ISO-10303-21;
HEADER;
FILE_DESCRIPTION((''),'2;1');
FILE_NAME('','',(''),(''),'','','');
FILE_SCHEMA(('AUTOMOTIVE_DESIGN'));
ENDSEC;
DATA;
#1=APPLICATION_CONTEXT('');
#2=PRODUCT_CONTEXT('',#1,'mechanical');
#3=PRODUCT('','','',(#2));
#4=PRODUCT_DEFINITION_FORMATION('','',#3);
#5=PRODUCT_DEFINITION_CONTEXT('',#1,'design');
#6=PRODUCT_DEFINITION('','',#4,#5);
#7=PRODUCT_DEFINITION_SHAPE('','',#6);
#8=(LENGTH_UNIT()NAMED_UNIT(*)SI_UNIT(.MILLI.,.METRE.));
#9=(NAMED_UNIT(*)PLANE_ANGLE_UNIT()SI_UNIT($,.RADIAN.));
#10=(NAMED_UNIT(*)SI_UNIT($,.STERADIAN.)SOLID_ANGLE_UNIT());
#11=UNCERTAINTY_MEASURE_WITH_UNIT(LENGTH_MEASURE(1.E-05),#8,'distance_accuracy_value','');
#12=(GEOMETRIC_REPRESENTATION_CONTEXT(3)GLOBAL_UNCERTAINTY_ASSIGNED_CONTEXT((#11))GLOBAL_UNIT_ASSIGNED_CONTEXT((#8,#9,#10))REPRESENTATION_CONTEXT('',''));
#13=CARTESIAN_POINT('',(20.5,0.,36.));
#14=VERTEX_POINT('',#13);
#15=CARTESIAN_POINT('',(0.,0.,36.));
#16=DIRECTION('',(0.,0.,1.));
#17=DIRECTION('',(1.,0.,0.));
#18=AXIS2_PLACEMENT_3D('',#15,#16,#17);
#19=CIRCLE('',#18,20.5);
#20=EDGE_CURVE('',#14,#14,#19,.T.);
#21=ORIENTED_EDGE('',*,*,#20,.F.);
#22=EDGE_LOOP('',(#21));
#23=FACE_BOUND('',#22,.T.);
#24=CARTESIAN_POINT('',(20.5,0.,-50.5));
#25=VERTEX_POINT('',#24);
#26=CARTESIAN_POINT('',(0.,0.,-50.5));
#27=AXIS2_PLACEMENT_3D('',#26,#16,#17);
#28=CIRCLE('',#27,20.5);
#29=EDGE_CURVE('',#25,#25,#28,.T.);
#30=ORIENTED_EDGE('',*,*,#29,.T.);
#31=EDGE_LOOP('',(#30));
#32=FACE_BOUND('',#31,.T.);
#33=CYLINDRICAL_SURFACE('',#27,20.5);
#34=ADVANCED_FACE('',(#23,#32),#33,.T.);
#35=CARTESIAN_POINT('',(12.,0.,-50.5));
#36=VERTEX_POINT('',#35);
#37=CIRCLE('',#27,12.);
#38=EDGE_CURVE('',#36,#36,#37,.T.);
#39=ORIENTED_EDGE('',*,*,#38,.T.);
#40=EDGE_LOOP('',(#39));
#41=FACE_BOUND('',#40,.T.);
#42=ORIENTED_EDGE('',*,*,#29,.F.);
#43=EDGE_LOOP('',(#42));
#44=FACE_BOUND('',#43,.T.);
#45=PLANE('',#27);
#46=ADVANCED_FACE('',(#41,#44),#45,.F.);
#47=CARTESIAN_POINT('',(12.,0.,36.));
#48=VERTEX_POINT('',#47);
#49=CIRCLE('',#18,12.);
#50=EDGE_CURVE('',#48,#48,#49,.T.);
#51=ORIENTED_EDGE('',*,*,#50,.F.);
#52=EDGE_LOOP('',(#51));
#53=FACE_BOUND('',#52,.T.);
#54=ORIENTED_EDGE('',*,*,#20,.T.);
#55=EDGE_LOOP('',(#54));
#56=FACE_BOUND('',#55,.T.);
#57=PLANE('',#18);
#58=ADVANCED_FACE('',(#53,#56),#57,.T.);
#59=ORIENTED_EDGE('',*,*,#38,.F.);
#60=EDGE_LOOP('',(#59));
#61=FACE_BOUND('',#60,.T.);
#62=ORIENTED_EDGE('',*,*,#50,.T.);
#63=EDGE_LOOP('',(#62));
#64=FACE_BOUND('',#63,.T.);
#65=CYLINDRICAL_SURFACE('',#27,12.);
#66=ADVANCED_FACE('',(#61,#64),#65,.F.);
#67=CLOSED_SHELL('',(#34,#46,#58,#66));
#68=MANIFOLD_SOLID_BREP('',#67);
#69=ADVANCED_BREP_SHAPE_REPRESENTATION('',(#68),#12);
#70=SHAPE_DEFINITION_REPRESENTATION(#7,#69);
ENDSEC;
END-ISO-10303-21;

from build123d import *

# Parameters (mm, degrees)
BOSS_EXTRUDE1_DEPTH      = 36
BOSS_EXTRUDE1_DEPTH_BACK = 50.5
SKETCH1_R                = 20.5
SKETCH1_R_2              = 12


with BuildPart() as part:
    # Sketch1 → Boss-Extrude1 (new, two sides: drawn at the far end of the back side and taken through both)
    with BuildSketch(Plane.XY.offset(-BOSS_EXTRUDE1_DEPTH_BACK)):
        Circle(SKETCH1_R)
        Circle(SKETCH1_R_2, mode=Mode.SUBTRACT)
    extrude(amount=BOSS_EXTRUDE1_DEPTH + BOSS_EXTRUDE1_DEPTH_BACK)


solid = part.part
